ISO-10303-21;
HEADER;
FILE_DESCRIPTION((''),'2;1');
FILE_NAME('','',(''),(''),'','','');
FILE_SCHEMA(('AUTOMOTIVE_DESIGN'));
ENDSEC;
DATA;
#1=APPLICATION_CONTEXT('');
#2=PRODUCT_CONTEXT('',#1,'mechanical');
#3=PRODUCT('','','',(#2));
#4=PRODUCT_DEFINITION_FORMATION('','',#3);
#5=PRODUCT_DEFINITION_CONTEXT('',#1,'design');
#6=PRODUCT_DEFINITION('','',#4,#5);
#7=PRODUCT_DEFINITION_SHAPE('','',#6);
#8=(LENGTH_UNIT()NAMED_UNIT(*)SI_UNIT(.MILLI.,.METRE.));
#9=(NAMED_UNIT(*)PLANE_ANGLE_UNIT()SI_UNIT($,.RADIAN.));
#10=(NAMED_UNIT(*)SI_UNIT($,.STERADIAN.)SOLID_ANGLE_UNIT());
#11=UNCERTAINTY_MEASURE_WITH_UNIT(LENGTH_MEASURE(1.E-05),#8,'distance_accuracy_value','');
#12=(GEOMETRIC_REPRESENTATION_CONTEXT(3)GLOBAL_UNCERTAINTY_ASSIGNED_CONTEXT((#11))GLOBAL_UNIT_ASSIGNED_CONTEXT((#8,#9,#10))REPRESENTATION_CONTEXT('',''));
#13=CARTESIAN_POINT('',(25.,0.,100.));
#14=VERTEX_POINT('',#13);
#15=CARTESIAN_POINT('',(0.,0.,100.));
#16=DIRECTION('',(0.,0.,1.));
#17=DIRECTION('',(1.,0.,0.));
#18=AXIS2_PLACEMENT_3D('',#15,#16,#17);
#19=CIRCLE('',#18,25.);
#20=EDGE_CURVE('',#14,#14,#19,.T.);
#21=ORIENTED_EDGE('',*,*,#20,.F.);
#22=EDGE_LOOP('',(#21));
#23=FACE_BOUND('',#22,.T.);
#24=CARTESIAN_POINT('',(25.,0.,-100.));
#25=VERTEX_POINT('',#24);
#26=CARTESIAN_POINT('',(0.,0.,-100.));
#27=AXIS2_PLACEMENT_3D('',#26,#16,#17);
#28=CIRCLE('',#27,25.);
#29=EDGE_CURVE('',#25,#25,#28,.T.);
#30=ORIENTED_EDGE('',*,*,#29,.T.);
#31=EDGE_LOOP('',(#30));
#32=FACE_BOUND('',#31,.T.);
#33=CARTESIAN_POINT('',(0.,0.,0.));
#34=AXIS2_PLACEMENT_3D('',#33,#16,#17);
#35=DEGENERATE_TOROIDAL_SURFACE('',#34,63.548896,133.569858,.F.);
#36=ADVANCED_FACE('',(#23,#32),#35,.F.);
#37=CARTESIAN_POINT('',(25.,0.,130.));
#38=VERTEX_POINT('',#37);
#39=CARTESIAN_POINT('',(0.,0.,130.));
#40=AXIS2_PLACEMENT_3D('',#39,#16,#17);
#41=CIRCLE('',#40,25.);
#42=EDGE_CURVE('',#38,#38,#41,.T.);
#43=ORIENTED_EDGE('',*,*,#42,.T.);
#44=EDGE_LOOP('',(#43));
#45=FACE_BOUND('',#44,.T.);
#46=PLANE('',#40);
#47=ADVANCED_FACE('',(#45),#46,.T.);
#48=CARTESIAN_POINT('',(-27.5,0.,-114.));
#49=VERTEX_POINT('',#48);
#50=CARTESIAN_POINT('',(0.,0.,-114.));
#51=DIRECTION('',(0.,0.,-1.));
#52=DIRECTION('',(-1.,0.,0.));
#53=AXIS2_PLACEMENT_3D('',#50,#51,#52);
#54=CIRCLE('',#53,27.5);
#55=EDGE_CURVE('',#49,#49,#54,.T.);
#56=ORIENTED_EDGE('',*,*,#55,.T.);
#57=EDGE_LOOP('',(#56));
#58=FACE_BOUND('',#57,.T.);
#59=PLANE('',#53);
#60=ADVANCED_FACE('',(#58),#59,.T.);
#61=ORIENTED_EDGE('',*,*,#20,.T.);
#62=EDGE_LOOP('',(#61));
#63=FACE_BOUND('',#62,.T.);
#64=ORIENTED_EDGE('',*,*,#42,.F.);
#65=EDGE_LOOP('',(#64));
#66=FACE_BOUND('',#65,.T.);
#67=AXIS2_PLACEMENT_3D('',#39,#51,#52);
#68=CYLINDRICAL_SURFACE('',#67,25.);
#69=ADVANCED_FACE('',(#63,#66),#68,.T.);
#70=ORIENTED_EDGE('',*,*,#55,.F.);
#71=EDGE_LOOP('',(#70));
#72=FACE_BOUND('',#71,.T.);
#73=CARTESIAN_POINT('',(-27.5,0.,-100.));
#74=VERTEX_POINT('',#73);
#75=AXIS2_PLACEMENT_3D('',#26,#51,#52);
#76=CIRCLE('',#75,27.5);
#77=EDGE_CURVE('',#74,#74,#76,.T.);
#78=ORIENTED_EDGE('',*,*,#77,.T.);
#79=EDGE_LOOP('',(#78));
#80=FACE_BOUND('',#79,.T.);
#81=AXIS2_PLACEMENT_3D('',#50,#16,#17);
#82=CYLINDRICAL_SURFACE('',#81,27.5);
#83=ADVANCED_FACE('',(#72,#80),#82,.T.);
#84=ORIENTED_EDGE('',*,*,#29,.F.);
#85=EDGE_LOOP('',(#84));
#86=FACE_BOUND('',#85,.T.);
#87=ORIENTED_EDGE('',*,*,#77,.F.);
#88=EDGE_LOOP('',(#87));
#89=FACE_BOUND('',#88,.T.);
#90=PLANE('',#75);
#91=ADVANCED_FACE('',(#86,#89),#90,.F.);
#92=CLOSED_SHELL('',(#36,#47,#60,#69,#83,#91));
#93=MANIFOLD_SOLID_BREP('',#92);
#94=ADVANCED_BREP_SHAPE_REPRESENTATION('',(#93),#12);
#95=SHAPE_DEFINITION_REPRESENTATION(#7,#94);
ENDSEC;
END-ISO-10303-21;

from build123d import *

# Parameters (mm, degrees)
SKETCH2_R           = 25
BOSS_EXTRUDE1_DEPTH = 30
SKETCH3_R           = 27.5
BOSS_EXTRUDE2_DEPTH = 14


with BuildPart() as part:
    # Sketch1 → Revolve1 (revolve)
    with BuildSketch(Plane(origin=(0, 0, 0), x_dir=(0, 0, -1), z_dir=(1, 0, 0)), mode=Mode.PRIVATE) as revolve1_sk:
        with BuildLine():
            Line((-100, 0), (-100, 25))
            ThreePointArc((-100, 25), (0, 70.020961978), (100, 25))
            Line((100, 25), (100, 0))
            Line((100, 0), (-100, 0))
        make_face()
    revolve(revolve1_sk.sketch.rotate(Axis((0, 0, 74.117927805), (0, 0, -1)), 90), axis=Axis((0, 0, 74.117927805), (0, 0, -1)))

    # Sketch2 → Boss-Extrude1 (add)
    with BuildSketch(Plane.XY.offset(100)):
        Circle(SKETCH2_R)
    extrude(amount=BOSS_EXTRUDE1_DEPTH)

    # Sketch3 → Boss-Extrude2 (add)
    with BuildSketch(Plane(origin=(0, 0, -100), x_dir=(-1, 0, 0), z_dir=(0, 0, -1))):
        Circle(SKETCH3_R)
    extrude(amount=BOSS_EXTRUDE2_DEPTH)


solid = part.part
